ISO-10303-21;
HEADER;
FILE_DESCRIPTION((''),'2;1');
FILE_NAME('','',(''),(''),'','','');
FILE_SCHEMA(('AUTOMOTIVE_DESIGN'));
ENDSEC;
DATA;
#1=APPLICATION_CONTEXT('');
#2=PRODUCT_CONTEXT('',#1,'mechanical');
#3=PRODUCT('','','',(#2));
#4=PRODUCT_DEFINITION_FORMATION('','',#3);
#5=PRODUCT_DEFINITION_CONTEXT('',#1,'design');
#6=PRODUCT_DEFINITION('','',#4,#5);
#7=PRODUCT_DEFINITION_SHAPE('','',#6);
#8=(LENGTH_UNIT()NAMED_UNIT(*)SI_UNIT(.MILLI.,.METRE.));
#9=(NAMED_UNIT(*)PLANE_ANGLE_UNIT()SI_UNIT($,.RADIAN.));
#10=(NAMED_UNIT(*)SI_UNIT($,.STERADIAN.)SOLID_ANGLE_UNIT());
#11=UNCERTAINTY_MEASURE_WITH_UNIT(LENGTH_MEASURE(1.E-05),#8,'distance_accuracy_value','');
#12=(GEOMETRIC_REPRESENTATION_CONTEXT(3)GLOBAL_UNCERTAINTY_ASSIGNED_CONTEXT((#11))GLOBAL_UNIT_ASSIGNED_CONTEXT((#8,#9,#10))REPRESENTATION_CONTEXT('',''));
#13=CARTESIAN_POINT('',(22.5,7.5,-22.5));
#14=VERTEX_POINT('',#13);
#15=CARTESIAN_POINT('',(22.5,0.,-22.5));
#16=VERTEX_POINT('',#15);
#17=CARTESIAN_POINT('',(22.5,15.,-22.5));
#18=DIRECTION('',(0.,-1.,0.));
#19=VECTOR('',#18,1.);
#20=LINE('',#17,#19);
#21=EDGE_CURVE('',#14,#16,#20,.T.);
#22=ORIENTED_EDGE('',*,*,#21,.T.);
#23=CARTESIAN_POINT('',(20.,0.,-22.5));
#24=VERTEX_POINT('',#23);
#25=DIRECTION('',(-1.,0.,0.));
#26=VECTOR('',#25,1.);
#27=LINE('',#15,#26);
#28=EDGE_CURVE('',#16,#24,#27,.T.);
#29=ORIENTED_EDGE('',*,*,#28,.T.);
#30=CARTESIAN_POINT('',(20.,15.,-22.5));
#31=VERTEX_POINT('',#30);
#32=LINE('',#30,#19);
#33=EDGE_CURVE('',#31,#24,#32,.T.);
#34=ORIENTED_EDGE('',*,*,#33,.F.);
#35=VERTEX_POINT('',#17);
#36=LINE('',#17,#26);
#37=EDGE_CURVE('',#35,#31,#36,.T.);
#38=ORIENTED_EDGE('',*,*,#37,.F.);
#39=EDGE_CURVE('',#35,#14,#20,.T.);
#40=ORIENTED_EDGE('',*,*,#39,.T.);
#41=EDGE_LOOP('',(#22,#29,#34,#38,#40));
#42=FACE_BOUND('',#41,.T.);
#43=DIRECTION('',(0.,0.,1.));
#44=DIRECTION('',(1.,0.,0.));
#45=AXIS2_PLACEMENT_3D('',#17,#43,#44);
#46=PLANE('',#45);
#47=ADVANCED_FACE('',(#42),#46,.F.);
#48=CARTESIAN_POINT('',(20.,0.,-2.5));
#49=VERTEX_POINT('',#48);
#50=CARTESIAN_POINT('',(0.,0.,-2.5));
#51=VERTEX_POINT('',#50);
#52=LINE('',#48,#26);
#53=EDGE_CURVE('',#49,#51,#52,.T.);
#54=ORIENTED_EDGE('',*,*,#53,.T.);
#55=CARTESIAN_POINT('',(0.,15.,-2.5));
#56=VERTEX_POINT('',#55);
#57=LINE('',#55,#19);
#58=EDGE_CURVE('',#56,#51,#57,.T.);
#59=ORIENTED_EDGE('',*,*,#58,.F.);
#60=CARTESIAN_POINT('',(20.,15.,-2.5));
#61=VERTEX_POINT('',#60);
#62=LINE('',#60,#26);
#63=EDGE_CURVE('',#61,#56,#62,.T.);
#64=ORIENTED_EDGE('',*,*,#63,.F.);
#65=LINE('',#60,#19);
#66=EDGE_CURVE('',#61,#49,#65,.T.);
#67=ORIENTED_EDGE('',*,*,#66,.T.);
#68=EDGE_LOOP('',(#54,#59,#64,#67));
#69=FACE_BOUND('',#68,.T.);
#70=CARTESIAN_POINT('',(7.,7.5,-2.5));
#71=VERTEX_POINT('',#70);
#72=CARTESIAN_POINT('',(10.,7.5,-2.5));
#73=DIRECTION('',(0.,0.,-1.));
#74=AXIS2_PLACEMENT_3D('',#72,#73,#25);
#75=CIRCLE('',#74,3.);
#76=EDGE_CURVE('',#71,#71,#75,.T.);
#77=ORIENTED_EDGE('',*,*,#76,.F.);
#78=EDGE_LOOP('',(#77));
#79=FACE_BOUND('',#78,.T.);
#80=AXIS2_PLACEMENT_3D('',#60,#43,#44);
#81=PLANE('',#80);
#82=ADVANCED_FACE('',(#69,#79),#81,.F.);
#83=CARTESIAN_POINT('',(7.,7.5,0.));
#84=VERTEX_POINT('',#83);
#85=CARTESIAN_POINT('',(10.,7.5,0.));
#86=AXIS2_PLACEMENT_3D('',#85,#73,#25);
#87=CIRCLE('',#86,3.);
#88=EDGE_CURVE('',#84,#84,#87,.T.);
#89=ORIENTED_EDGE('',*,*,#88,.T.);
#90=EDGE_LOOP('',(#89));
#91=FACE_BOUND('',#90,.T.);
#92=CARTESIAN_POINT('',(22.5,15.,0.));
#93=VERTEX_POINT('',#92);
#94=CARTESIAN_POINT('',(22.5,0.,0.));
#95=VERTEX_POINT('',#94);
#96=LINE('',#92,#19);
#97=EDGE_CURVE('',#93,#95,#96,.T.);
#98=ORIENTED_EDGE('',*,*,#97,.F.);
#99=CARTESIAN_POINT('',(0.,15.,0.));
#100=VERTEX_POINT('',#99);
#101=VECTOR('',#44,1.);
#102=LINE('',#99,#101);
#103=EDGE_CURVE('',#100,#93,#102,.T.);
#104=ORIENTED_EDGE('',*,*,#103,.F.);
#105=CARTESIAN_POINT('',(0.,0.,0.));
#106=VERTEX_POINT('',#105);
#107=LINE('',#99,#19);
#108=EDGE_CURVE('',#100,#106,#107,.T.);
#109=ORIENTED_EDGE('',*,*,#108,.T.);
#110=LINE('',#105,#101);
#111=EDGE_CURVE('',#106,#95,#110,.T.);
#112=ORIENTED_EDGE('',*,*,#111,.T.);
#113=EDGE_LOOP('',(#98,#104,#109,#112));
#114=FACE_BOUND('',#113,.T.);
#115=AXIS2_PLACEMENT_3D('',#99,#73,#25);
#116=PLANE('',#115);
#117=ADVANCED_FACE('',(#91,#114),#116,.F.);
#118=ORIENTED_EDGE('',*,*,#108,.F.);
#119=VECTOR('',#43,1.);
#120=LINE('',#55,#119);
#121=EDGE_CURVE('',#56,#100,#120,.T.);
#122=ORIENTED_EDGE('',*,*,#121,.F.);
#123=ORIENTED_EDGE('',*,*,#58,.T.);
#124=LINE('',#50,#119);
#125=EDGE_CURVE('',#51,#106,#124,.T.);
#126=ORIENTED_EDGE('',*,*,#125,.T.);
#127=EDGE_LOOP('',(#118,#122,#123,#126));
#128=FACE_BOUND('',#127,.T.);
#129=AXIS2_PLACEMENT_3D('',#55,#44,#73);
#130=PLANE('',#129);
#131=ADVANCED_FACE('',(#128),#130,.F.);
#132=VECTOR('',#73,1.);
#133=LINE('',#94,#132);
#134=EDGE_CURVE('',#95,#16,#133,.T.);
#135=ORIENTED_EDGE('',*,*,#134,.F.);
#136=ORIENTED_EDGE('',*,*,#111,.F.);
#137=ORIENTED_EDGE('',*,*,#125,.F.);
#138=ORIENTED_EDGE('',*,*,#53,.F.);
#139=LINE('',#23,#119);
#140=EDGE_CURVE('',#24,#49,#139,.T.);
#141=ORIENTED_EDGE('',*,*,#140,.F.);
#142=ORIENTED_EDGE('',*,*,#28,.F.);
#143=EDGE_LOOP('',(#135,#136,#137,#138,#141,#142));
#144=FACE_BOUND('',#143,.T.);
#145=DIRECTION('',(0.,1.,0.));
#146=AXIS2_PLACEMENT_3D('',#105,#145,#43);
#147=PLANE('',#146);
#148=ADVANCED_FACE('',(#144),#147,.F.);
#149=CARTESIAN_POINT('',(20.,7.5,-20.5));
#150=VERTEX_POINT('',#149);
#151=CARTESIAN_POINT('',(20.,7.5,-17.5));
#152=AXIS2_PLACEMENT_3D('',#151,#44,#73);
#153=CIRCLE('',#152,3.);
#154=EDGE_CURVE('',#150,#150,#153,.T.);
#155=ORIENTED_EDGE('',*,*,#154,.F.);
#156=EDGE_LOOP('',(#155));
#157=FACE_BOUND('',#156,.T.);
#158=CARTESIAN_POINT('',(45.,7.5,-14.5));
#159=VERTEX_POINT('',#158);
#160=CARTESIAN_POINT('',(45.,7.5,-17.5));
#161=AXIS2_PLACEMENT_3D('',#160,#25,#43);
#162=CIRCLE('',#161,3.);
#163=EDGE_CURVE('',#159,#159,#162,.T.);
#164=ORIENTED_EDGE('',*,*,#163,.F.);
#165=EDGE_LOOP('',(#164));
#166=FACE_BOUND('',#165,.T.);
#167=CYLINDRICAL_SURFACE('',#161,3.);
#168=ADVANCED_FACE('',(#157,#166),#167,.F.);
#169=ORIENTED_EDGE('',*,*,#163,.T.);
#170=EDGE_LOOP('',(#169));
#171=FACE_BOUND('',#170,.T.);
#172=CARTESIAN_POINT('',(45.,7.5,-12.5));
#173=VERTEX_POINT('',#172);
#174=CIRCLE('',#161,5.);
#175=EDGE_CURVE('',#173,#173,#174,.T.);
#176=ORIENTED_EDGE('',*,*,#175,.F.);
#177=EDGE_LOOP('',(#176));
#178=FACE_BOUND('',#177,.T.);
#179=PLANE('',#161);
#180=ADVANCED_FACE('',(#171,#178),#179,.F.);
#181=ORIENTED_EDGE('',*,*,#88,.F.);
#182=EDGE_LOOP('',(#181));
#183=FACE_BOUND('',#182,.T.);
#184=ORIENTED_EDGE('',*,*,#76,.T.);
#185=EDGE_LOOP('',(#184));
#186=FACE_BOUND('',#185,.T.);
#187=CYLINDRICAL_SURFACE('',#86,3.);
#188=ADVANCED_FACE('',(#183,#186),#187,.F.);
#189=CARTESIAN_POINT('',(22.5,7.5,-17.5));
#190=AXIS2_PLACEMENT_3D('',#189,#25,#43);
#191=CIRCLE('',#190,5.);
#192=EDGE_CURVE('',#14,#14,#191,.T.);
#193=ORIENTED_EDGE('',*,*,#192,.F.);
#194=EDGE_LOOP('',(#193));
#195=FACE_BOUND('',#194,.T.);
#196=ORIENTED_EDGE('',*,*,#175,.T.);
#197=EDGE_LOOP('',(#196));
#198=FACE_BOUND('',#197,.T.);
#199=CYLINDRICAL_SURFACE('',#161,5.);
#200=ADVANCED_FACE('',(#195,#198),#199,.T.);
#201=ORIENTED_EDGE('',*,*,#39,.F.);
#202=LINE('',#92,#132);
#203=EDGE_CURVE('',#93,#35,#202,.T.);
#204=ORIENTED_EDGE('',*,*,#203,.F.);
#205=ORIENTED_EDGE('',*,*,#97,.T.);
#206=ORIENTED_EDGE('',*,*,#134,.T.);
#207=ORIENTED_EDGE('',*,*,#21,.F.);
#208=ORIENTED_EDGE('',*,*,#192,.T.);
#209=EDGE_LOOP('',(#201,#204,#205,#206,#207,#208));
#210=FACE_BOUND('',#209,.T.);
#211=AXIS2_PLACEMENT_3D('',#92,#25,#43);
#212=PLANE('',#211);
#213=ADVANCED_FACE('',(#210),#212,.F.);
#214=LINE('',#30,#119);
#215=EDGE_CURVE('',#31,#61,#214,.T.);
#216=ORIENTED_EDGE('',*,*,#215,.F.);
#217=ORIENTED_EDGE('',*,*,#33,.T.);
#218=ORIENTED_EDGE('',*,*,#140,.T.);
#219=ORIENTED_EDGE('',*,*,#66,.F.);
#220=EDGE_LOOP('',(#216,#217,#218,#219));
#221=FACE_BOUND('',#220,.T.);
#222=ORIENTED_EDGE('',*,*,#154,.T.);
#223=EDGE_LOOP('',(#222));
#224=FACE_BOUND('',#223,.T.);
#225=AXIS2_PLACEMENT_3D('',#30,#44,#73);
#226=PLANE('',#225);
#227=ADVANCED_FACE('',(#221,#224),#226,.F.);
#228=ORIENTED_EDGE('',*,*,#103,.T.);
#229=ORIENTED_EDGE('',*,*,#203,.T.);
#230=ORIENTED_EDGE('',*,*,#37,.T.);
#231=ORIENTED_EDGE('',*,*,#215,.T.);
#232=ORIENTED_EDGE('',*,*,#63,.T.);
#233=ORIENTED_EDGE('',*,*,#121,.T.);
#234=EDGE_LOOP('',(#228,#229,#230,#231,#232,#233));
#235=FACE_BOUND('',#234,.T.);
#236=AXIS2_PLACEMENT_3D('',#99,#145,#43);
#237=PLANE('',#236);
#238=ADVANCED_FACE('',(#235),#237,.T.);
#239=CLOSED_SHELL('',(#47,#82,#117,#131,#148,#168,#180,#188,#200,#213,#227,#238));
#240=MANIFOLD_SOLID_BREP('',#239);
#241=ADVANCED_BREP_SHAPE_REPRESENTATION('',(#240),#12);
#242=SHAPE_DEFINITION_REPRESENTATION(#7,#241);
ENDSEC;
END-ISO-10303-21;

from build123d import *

# Parameters (mm, degrees)
BOSS_EXTRUDE2_DEPTH = 15
SKETCH4_R           = 3
CUT_EXTRUDE2_DEPTH  = 34.634060118
SKETCH7_R           = 5
SKETCH7_R_2         = 3
BOSS_EXTRUDE5_DEPTH = 25
SKETCH8_R           = 3
CUT_EXTRUDE3_DEPTH  = 36.178118199


with BuildPart() as part:
    # Sketch3 → Boss-Extrude2 (new body)
    with BuildSketch(Plane(origin=(0, 0, 0), x_dir=(1, 0, 0), z_dir=(0, 1, 0))):
        Polygon((0, 0), (22.5, 0), (22.5, 22.5), (20, 22.5), (20, 2.5), (0, 2.5), align=None)
    extrude(amount=BOSS_EXTRUDE2_DEPTH)

    # Sketch4 → Cut-Extrude2 (cut, through all)
    with BuildSketch(Plane(origin=(0, 0, -2.5), x_dir=(-1, 0, 0), z_dir=(0, 0, -1))):
        with Locations((-10, 7.5)):
            Circle(SKETCH4_R)
    extrude(amount=-CUT_EXTRUDE2_DEPTH, mode=Mode.SUBTRACT)

    # Sketch7 → Boss-Extrude5 (add)
    with BuildSketch(Plane.ZY.offset(-20)):
        with Locations((-17.5, 7.5)):
            Circle(SKETCH7_R)
        with Locations((-17.5, 7.5)):
            Circle(SKETCH7_R_2, mode=Mode.SUBTRACT)
    extrude(amount=-BOSS_EXTRUDE5_DEPTH)

    # Sketch8 → Cut-Extrude3 (cut, through all)
    with BuildSketch(Plane(origin=(22.5, 0, 0), x_dir=(0, 0, -1), z_dir=(1, 0, 0))):
        with Locations(Location((17.5, 7.5, 0), (0, 0, 180))):
            Circle(SKETCH8_R)
    extrude(amount=-CUT_EXTRUDE3_DEPTH, mode=Mode.SUBTRACT)


solid = part.part
